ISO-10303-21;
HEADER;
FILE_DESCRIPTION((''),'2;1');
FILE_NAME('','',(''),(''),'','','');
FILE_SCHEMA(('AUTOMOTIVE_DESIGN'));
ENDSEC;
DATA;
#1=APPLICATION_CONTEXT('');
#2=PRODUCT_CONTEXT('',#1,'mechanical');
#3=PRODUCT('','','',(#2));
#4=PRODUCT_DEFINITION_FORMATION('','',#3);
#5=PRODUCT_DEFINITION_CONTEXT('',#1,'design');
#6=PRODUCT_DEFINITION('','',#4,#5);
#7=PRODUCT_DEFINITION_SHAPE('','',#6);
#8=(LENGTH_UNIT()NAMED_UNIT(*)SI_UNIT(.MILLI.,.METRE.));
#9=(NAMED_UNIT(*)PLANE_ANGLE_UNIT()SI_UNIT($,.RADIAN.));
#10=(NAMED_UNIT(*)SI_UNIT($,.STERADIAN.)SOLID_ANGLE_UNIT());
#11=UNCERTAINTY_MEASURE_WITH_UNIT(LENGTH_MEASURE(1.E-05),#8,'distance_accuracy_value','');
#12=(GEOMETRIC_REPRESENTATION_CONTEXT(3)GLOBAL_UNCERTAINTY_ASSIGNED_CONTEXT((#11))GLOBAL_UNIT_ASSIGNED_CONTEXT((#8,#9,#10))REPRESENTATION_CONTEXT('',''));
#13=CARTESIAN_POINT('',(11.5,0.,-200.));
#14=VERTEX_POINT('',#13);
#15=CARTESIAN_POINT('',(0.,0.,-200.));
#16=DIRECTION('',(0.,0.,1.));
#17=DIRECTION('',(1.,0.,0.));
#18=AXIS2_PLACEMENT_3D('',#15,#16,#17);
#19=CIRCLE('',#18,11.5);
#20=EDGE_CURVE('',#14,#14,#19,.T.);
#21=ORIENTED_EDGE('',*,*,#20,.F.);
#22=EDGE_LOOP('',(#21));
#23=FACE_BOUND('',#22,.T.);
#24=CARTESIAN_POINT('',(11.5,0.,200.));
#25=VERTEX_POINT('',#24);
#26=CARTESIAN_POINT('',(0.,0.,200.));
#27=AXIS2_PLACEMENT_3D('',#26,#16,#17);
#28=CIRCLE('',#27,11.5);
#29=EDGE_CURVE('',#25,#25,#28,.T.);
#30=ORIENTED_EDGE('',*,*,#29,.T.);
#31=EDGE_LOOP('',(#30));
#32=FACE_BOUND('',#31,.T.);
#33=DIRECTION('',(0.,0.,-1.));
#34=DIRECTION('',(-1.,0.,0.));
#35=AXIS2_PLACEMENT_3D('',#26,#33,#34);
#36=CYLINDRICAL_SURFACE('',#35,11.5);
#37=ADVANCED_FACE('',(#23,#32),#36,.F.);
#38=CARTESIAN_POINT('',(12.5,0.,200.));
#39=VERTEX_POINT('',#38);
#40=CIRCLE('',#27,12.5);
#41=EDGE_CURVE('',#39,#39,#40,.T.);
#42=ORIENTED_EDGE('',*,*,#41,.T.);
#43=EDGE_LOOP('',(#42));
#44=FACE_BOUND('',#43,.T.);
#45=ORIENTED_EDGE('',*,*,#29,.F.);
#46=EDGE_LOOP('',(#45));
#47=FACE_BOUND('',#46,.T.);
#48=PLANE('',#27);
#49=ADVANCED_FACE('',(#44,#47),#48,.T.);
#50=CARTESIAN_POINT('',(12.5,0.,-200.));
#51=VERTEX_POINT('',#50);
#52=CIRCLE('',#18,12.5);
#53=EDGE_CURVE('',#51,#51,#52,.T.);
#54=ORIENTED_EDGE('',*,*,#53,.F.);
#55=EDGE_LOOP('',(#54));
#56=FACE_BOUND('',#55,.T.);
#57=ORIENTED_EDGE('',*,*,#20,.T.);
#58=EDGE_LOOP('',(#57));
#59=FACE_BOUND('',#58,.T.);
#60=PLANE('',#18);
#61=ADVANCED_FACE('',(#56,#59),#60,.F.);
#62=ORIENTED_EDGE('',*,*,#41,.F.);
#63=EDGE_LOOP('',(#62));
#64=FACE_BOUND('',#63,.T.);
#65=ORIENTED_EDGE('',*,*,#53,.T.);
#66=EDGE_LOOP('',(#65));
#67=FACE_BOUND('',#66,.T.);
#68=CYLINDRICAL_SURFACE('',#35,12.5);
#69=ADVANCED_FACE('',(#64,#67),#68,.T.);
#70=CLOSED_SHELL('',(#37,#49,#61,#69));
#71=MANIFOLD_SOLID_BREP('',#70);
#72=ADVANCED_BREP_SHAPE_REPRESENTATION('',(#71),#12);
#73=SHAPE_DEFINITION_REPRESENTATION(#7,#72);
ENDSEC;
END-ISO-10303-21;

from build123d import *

# Parameters (mm, degrees)
SKETCH1_R           = 12.5
SKETCH1_R_2         = 11.5
BOSS_EXTRUDE1_DEPTH = 200


with BuildPart() as part:
    # Sketch1 → Boss-Extrude1 (new body, symmetric)
    with BuildSketch(Plane.XY):
        Circle(SKETCH1_R)
        Circle(SKETCH1_R_2, mode=Mode.SUBTRACT)
    extrude(amount=BOSS_EXTRUDE1_DEPTH, both=True)


solid = part.part
